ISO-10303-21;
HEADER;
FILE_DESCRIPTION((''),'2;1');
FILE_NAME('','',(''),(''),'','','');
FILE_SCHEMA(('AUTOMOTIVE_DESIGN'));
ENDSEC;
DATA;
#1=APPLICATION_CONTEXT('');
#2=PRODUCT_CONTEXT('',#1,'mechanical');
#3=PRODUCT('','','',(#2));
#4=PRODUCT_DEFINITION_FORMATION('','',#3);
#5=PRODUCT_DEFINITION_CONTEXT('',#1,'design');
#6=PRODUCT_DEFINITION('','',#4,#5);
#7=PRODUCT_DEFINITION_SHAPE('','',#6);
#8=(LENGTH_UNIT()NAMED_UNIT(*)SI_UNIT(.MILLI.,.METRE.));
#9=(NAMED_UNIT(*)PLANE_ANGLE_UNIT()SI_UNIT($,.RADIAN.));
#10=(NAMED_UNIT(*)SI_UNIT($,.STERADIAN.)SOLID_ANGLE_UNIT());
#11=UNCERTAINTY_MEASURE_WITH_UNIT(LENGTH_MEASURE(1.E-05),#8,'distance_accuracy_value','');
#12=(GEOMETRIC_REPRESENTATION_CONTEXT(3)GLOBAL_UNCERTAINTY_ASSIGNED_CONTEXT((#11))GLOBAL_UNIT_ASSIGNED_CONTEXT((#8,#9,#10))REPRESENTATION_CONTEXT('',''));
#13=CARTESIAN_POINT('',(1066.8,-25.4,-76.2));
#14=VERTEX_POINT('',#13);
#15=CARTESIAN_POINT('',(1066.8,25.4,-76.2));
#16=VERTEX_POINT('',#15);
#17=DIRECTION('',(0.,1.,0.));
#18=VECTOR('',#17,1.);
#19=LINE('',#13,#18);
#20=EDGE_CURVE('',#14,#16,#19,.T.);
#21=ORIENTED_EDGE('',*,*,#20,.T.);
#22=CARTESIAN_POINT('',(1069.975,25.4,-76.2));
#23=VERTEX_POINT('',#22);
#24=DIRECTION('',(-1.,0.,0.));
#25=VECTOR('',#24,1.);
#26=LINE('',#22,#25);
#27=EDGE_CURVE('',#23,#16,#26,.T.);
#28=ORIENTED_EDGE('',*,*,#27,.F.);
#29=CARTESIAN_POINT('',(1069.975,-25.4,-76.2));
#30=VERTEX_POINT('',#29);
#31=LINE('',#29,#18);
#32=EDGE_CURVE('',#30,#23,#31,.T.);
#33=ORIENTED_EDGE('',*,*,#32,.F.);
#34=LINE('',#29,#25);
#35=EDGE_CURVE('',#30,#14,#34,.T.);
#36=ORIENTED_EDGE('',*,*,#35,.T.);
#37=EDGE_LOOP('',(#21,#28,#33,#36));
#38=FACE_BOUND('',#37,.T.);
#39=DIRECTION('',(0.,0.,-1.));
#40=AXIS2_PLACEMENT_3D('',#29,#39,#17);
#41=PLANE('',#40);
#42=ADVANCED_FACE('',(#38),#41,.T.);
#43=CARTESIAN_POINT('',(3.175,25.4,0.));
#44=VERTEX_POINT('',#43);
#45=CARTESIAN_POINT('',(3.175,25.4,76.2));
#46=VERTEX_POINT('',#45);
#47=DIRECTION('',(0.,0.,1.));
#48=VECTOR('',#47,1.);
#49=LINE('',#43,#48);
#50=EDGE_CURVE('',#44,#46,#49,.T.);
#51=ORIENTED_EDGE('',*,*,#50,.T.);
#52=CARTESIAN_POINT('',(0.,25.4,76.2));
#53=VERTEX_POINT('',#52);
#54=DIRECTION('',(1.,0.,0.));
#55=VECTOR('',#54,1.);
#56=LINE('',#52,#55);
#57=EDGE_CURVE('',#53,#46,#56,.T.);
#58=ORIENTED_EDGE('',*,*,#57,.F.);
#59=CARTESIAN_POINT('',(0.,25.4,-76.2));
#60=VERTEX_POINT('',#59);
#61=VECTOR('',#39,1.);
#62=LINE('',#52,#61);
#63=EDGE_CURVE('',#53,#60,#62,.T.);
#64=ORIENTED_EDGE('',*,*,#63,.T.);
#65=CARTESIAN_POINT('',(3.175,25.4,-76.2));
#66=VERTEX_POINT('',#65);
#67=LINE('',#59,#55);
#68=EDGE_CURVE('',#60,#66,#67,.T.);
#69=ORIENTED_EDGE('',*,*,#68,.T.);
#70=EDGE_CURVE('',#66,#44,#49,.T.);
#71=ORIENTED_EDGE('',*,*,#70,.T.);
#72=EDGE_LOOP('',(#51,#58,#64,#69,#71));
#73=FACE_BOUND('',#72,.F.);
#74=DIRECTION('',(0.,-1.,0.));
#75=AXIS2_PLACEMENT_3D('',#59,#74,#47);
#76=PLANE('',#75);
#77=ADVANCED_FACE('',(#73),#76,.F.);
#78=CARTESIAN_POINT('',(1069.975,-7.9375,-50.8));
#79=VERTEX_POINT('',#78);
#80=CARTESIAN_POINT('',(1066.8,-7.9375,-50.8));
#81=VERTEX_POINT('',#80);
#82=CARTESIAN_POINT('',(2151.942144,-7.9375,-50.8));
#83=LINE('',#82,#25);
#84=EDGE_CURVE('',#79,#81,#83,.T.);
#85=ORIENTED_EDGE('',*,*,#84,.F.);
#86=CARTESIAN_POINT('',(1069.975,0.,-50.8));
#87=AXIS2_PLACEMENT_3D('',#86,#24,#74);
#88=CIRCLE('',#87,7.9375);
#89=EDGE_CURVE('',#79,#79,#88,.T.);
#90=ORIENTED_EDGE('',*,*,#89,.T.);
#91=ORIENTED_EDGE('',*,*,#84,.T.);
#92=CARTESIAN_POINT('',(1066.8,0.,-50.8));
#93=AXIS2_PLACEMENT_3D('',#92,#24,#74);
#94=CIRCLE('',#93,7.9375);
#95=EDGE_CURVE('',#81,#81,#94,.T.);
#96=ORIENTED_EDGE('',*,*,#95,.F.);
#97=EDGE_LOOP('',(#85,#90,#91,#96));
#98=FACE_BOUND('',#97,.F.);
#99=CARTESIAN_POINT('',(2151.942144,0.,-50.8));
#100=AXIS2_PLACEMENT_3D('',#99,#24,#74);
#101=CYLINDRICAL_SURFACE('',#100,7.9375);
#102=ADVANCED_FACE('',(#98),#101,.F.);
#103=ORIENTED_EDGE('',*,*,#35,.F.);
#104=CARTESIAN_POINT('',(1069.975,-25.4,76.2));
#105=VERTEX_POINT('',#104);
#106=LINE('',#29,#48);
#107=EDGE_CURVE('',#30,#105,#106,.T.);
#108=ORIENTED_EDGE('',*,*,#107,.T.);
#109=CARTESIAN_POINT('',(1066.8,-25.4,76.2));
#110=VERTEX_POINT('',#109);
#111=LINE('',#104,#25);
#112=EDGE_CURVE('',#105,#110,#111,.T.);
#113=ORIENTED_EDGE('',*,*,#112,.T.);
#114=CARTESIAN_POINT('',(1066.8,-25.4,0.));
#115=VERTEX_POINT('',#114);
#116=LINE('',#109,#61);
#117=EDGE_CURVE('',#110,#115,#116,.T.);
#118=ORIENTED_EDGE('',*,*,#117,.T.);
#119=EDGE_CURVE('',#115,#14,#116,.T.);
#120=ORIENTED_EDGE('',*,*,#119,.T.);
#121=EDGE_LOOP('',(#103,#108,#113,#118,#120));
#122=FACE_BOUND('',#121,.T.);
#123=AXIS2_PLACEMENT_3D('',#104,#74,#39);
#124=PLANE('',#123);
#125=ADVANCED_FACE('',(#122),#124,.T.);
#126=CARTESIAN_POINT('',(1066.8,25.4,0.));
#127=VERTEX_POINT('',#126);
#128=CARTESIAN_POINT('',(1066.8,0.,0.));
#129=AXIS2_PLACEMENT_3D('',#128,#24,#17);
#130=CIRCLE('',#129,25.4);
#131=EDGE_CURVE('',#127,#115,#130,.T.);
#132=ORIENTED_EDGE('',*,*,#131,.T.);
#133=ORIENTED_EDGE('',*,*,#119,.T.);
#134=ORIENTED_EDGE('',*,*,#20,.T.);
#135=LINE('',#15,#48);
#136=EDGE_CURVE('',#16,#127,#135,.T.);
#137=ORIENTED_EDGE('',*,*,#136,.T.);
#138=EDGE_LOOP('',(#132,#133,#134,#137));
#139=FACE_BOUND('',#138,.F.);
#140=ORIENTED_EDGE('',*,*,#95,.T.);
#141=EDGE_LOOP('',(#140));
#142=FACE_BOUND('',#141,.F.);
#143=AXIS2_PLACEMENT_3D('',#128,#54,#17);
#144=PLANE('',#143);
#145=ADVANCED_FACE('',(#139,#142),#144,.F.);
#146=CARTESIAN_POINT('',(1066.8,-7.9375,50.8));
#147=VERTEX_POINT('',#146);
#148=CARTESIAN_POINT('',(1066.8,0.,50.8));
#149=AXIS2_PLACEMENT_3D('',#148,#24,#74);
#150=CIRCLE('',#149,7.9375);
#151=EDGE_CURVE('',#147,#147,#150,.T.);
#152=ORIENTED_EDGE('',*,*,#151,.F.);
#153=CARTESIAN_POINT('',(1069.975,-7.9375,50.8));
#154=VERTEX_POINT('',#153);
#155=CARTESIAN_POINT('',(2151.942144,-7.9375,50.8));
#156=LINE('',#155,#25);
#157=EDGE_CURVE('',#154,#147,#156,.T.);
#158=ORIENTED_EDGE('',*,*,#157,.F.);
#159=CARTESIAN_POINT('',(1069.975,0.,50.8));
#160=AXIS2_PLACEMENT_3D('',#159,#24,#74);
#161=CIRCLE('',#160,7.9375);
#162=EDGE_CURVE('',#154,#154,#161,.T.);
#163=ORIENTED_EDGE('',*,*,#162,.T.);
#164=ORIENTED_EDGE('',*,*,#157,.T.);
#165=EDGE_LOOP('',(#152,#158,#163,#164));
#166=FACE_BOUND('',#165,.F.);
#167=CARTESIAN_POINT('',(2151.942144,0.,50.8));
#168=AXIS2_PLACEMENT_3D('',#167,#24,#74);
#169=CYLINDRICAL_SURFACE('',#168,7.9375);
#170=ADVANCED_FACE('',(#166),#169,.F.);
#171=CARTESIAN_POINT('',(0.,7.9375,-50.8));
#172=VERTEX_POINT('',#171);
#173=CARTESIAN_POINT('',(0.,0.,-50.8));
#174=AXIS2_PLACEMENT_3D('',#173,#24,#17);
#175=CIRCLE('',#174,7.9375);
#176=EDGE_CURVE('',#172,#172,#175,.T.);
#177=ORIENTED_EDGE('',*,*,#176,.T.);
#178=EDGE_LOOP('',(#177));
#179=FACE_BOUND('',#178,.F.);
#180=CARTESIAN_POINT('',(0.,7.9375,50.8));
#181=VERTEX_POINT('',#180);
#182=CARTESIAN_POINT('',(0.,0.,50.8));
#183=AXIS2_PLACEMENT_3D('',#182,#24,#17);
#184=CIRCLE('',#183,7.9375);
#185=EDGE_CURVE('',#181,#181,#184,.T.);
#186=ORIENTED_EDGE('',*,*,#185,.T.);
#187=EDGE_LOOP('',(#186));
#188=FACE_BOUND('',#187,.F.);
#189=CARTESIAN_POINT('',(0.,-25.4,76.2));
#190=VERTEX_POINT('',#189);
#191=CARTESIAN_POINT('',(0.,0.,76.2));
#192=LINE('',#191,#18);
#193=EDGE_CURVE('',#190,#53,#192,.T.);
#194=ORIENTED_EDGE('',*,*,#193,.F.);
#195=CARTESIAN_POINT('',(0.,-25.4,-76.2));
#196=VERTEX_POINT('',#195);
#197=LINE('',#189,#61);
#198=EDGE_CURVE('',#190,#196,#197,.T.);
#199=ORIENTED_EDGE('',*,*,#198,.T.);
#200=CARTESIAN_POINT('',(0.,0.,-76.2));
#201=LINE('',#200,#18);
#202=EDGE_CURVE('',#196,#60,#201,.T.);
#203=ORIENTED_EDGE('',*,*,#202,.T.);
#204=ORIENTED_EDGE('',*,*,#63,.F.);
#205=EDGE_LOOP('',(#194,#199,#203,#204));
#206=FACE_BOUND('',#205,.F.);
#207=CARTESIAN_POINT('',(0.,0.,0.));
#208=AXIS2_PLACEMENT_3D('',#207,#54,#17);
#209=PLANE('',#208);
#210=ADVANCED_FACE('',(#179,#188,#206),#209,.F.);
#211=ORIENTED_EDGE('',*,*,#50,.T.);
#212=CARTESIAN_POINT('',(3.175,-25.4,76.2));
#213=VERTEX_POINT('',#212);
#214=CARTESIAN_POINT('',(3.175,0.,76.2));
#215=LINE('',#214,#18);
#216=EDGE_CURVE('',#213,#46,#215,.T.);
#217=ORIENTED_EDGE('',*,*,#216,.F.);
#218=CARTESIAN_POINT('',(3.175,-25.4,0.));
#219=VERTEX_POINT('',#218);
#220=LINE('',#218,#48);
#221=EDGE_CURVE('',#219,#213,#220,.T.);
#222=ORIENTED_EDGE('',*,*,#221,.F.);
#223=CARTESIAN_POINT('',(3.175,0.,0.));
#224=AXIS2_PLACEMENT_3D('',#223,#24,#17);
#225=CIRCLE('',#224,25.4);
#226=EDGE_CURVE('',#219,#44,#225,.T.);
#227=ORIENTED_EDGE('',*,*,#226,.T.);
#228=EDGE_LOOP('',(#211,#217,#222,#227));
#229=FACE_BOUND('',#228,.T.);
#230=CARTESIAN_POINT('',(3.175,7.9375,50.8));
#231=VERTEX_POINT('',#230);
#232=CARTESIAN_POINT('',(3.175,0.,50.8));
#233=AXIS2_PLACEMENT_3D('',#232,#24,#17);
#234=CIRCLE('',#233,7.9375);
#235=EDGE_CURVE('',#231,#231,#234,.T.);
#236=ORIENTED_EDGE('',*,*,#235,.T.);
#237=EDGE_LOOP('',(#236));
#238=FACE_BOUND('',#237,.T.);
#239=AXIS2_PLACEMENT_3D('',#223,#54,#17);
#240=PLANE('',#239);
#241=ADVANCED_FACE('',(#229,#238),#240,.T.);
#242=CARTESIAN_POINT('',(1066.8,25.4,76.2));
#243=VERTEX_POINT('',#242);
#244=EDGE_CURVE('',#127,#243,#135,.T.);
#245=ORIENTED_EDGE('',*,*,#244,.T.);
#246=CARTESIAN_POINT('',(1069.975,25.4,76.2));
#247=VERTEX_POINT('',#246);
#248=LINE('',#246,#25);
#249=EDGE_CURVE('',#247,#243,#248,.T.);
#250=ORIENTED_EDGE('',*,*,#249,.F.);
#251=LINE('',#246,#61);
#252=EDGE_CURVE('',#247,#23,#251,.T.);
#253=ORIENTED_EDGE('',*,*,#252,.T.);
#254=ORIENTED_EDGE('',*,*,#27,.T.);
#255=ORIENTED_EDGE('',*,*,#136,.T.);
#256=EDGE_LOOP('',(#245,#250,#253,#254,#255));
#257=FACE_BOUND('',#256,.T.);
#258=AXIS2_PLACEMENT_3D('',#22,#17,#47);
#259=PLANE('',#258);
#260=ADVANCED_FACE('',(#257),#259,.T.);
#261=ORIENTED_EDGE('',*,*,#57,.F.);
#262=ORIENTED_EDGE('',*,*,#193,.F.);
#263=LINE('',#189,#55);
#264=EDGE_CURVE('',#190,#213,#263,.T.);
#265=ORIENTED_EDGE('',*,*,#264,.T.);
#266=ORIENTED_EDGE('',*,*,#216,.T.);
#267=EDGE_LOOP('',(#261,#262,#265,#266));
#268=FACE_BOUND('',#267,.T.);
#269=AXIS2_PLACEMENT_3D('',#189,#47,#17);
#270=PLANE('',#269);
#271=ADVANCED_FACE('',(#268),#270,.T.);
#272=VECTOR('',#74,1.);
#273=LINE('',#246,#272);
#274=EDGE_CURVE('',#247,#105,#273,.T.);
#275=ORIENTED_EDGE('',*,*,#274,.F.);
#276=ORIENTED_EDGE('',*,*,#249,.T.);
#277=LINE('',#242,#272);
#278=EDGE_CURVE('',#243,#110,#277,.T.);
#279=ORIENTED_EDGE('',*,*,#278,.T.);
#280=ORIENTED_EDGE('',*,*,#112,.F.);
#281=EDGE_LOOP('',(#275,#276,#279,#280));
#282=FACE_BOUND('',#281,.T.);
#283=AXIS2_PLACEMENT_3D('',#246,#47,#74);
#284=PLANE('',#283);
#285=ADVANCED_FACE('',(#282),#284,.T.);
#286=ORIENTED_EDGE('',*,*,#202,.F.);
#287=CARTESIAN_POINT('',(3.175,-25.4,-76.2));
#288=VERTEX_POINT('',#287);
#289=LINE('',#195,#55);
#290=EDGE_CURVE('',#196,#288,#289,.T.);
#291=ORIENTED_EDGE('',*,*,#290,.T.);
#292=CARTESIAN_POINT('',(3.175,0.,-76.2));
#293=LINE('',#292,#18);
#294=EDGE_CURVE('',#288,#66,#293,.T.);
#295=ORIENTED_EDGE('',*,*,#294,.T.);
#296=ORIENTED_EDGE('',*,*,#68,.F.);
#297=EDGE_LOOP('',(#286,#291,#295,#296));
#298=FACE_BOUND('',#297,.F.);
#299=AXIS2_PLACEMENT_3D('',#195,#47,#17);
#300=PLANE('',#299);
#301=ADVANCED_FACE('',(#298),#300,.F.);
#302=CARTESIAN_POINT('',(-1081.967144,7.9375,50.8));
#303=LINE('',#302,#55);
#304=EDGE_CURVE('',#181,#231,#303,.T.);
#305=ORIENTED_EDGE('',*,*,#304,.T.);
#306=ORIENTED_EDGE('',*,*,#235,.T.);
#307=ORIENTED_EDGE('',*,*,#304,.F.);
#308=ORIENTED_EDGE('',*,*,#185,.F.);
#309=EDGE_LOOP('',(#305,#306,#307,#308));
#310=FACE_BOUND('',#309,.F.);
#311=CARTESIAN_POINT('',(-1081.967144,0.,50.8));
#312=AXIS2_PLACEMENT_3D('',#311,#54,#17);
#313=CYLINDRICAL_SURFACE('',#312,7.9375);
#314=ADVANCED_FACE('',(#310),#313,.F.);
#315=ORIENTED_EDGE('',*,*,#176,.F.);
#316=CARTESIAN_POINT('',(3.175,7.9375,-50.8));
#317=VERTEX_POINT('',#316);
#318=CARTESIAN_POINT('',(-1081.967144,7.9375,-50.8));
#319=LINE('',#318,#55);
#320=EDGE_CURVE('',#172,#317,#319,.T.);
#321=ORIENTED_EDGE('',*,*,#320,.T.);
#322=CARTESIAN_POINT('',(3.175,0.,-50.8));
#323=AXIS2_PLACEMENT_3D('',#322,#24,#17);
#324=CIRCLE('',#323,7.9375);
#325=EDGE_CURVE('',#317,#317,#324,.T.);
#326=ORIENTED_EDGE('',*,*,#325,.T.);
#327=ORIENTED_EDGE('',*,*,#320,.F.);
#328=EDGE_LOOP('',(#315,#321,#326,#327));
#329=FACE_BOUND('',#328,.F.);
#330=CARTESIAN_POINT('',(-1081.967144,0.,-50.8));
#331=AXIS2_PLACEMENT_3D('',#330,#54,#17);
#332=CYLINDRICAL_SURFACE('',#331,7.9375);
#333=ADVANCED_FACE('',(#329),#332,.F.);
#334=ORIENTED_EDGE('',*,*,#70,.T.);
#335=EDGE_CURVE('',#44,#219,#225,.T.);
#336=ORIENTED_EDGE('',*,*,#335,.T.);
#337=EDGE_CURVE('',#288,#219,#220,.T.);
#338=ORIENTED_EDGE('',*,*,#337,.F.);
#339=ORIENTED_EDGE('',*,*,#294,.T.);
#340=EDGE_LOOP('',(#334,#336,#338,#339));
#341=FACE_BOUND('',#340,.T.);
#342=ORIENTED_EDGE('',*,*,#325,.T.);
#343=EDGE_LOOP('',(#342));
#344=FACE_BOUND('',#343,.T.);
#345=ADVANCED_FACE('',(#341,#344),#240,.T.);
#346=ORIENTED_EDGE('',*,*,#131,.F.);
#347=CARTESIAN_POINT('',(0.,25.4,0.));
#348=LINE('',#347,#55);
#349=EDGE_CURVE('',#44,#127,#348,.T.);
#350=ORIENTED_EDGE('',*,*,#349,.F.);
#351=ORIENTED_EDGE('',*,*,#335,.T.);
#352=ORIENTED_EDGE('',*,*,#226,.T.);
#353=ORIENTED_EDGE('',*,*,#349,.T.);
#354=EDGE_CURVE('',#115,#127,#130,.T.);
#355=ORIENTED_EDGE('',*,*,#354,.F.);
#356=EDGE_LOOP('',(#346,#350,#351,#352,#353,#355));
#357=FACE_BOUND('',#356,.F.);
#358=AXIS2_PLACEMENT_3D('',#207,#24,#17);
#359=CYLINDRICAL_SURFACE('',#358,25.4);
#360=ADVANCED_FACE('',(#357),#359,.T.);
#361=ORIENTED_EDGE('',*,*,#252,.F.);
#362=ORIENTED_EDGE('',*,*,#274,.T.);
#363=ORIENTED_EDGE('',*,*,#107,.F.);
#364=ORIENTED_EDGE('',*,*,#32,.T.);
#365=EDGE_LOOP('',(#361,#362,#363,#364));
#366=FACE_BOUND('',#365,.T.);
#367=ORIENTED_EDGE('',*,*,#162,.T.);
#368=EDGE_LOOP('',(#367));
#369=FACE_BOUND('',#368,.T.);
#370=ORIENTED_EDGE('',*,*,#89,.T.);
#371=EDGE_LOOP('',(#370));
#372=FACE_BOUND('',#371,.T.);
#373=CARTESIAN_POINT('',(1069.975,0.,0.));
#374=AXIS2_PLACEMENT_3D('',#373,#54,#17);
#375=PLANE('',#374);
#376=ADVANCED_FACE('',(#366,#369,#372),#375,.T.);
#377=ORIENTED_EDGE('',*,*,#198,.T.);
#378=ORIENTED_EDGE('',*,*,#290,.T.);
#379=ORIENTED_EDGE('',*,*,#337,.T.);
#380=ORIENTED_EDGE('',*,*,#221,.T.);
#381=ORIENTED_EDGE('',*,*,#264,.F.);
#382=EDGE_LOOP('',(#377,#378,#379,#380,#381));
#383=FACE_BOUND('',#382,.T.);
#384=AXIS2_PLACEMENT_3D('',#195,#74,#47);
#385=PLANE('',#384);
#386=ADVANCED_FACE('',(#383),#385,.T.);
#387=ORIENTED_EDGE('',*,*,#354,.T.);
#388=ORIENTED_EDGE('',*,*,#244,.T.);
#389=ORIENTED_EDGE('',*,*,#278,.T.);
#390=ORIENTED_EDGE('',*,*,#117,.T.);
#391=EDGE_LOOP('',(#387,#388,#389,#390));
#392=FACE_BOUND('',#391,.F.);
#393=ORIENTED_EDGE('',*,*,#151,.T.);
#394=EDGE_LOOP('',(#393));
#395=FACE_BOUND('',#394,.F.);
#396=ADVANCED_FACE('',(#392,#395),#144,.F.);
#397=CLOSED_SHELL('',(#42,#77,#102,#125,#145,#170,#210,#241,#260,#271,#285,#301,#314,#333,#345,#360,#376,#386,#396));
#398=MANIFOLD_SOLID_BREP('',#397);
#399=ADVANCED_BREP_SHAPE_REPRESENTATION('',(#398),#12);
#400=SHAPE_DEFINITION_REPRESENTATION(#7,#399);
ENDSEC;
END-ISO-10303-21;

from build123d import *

# Parameters (mm, degrees)
F0_R     = 25.4
F1_DEPTH = 1069.975
F2_W     = 50.8
F2_H     = 152.4
F3_DEPTH = 3.175
F5_D     = 15.875
F7_DEPTH = 3.175
F9_D     = 15.875


with BuildPart() as f1:
    # F0 (on Right) → F1 (new body)
    with BuildSketch(Plane.YZ):
        Circle(F0_R)
    extrude(amount=F1_DEPTH)

    # F2 (on Right) → F3 (join)
    with BuildSketch(Plane.YZ):
        Rectangle(F2_W, F2_H)
    extrude(amount=F3_DEPTH)

    # F5 (through all)
    with Locations(Plane(origin=(0, 0, 0), x_dir=(0, -1, 0), z_dir=(-1, 0, 0))):
        with Locations((0, 50.8), (0, -50.8)):
            Hole(F5_D / 2)

    # F6 (on face) → F7 (join)
    with BuildSketch(Plane.YZ.offset(1069.975)):
        Polygon((25.4, 0), (25.4, 76.2), (-25.4, 76.2), (-25.4, 0), (-25.4, -76.2), (25.4, -76.2), align=None)
    extrude(amount=-F7_DEPTH)

    # F9 (through all)
    with Locations(Plane.YZ.offset(1069.975)):
        with Locations((0, 50.8), (0, -50.8)):
            Hole(F9_D / 2)


solid = f1.part
